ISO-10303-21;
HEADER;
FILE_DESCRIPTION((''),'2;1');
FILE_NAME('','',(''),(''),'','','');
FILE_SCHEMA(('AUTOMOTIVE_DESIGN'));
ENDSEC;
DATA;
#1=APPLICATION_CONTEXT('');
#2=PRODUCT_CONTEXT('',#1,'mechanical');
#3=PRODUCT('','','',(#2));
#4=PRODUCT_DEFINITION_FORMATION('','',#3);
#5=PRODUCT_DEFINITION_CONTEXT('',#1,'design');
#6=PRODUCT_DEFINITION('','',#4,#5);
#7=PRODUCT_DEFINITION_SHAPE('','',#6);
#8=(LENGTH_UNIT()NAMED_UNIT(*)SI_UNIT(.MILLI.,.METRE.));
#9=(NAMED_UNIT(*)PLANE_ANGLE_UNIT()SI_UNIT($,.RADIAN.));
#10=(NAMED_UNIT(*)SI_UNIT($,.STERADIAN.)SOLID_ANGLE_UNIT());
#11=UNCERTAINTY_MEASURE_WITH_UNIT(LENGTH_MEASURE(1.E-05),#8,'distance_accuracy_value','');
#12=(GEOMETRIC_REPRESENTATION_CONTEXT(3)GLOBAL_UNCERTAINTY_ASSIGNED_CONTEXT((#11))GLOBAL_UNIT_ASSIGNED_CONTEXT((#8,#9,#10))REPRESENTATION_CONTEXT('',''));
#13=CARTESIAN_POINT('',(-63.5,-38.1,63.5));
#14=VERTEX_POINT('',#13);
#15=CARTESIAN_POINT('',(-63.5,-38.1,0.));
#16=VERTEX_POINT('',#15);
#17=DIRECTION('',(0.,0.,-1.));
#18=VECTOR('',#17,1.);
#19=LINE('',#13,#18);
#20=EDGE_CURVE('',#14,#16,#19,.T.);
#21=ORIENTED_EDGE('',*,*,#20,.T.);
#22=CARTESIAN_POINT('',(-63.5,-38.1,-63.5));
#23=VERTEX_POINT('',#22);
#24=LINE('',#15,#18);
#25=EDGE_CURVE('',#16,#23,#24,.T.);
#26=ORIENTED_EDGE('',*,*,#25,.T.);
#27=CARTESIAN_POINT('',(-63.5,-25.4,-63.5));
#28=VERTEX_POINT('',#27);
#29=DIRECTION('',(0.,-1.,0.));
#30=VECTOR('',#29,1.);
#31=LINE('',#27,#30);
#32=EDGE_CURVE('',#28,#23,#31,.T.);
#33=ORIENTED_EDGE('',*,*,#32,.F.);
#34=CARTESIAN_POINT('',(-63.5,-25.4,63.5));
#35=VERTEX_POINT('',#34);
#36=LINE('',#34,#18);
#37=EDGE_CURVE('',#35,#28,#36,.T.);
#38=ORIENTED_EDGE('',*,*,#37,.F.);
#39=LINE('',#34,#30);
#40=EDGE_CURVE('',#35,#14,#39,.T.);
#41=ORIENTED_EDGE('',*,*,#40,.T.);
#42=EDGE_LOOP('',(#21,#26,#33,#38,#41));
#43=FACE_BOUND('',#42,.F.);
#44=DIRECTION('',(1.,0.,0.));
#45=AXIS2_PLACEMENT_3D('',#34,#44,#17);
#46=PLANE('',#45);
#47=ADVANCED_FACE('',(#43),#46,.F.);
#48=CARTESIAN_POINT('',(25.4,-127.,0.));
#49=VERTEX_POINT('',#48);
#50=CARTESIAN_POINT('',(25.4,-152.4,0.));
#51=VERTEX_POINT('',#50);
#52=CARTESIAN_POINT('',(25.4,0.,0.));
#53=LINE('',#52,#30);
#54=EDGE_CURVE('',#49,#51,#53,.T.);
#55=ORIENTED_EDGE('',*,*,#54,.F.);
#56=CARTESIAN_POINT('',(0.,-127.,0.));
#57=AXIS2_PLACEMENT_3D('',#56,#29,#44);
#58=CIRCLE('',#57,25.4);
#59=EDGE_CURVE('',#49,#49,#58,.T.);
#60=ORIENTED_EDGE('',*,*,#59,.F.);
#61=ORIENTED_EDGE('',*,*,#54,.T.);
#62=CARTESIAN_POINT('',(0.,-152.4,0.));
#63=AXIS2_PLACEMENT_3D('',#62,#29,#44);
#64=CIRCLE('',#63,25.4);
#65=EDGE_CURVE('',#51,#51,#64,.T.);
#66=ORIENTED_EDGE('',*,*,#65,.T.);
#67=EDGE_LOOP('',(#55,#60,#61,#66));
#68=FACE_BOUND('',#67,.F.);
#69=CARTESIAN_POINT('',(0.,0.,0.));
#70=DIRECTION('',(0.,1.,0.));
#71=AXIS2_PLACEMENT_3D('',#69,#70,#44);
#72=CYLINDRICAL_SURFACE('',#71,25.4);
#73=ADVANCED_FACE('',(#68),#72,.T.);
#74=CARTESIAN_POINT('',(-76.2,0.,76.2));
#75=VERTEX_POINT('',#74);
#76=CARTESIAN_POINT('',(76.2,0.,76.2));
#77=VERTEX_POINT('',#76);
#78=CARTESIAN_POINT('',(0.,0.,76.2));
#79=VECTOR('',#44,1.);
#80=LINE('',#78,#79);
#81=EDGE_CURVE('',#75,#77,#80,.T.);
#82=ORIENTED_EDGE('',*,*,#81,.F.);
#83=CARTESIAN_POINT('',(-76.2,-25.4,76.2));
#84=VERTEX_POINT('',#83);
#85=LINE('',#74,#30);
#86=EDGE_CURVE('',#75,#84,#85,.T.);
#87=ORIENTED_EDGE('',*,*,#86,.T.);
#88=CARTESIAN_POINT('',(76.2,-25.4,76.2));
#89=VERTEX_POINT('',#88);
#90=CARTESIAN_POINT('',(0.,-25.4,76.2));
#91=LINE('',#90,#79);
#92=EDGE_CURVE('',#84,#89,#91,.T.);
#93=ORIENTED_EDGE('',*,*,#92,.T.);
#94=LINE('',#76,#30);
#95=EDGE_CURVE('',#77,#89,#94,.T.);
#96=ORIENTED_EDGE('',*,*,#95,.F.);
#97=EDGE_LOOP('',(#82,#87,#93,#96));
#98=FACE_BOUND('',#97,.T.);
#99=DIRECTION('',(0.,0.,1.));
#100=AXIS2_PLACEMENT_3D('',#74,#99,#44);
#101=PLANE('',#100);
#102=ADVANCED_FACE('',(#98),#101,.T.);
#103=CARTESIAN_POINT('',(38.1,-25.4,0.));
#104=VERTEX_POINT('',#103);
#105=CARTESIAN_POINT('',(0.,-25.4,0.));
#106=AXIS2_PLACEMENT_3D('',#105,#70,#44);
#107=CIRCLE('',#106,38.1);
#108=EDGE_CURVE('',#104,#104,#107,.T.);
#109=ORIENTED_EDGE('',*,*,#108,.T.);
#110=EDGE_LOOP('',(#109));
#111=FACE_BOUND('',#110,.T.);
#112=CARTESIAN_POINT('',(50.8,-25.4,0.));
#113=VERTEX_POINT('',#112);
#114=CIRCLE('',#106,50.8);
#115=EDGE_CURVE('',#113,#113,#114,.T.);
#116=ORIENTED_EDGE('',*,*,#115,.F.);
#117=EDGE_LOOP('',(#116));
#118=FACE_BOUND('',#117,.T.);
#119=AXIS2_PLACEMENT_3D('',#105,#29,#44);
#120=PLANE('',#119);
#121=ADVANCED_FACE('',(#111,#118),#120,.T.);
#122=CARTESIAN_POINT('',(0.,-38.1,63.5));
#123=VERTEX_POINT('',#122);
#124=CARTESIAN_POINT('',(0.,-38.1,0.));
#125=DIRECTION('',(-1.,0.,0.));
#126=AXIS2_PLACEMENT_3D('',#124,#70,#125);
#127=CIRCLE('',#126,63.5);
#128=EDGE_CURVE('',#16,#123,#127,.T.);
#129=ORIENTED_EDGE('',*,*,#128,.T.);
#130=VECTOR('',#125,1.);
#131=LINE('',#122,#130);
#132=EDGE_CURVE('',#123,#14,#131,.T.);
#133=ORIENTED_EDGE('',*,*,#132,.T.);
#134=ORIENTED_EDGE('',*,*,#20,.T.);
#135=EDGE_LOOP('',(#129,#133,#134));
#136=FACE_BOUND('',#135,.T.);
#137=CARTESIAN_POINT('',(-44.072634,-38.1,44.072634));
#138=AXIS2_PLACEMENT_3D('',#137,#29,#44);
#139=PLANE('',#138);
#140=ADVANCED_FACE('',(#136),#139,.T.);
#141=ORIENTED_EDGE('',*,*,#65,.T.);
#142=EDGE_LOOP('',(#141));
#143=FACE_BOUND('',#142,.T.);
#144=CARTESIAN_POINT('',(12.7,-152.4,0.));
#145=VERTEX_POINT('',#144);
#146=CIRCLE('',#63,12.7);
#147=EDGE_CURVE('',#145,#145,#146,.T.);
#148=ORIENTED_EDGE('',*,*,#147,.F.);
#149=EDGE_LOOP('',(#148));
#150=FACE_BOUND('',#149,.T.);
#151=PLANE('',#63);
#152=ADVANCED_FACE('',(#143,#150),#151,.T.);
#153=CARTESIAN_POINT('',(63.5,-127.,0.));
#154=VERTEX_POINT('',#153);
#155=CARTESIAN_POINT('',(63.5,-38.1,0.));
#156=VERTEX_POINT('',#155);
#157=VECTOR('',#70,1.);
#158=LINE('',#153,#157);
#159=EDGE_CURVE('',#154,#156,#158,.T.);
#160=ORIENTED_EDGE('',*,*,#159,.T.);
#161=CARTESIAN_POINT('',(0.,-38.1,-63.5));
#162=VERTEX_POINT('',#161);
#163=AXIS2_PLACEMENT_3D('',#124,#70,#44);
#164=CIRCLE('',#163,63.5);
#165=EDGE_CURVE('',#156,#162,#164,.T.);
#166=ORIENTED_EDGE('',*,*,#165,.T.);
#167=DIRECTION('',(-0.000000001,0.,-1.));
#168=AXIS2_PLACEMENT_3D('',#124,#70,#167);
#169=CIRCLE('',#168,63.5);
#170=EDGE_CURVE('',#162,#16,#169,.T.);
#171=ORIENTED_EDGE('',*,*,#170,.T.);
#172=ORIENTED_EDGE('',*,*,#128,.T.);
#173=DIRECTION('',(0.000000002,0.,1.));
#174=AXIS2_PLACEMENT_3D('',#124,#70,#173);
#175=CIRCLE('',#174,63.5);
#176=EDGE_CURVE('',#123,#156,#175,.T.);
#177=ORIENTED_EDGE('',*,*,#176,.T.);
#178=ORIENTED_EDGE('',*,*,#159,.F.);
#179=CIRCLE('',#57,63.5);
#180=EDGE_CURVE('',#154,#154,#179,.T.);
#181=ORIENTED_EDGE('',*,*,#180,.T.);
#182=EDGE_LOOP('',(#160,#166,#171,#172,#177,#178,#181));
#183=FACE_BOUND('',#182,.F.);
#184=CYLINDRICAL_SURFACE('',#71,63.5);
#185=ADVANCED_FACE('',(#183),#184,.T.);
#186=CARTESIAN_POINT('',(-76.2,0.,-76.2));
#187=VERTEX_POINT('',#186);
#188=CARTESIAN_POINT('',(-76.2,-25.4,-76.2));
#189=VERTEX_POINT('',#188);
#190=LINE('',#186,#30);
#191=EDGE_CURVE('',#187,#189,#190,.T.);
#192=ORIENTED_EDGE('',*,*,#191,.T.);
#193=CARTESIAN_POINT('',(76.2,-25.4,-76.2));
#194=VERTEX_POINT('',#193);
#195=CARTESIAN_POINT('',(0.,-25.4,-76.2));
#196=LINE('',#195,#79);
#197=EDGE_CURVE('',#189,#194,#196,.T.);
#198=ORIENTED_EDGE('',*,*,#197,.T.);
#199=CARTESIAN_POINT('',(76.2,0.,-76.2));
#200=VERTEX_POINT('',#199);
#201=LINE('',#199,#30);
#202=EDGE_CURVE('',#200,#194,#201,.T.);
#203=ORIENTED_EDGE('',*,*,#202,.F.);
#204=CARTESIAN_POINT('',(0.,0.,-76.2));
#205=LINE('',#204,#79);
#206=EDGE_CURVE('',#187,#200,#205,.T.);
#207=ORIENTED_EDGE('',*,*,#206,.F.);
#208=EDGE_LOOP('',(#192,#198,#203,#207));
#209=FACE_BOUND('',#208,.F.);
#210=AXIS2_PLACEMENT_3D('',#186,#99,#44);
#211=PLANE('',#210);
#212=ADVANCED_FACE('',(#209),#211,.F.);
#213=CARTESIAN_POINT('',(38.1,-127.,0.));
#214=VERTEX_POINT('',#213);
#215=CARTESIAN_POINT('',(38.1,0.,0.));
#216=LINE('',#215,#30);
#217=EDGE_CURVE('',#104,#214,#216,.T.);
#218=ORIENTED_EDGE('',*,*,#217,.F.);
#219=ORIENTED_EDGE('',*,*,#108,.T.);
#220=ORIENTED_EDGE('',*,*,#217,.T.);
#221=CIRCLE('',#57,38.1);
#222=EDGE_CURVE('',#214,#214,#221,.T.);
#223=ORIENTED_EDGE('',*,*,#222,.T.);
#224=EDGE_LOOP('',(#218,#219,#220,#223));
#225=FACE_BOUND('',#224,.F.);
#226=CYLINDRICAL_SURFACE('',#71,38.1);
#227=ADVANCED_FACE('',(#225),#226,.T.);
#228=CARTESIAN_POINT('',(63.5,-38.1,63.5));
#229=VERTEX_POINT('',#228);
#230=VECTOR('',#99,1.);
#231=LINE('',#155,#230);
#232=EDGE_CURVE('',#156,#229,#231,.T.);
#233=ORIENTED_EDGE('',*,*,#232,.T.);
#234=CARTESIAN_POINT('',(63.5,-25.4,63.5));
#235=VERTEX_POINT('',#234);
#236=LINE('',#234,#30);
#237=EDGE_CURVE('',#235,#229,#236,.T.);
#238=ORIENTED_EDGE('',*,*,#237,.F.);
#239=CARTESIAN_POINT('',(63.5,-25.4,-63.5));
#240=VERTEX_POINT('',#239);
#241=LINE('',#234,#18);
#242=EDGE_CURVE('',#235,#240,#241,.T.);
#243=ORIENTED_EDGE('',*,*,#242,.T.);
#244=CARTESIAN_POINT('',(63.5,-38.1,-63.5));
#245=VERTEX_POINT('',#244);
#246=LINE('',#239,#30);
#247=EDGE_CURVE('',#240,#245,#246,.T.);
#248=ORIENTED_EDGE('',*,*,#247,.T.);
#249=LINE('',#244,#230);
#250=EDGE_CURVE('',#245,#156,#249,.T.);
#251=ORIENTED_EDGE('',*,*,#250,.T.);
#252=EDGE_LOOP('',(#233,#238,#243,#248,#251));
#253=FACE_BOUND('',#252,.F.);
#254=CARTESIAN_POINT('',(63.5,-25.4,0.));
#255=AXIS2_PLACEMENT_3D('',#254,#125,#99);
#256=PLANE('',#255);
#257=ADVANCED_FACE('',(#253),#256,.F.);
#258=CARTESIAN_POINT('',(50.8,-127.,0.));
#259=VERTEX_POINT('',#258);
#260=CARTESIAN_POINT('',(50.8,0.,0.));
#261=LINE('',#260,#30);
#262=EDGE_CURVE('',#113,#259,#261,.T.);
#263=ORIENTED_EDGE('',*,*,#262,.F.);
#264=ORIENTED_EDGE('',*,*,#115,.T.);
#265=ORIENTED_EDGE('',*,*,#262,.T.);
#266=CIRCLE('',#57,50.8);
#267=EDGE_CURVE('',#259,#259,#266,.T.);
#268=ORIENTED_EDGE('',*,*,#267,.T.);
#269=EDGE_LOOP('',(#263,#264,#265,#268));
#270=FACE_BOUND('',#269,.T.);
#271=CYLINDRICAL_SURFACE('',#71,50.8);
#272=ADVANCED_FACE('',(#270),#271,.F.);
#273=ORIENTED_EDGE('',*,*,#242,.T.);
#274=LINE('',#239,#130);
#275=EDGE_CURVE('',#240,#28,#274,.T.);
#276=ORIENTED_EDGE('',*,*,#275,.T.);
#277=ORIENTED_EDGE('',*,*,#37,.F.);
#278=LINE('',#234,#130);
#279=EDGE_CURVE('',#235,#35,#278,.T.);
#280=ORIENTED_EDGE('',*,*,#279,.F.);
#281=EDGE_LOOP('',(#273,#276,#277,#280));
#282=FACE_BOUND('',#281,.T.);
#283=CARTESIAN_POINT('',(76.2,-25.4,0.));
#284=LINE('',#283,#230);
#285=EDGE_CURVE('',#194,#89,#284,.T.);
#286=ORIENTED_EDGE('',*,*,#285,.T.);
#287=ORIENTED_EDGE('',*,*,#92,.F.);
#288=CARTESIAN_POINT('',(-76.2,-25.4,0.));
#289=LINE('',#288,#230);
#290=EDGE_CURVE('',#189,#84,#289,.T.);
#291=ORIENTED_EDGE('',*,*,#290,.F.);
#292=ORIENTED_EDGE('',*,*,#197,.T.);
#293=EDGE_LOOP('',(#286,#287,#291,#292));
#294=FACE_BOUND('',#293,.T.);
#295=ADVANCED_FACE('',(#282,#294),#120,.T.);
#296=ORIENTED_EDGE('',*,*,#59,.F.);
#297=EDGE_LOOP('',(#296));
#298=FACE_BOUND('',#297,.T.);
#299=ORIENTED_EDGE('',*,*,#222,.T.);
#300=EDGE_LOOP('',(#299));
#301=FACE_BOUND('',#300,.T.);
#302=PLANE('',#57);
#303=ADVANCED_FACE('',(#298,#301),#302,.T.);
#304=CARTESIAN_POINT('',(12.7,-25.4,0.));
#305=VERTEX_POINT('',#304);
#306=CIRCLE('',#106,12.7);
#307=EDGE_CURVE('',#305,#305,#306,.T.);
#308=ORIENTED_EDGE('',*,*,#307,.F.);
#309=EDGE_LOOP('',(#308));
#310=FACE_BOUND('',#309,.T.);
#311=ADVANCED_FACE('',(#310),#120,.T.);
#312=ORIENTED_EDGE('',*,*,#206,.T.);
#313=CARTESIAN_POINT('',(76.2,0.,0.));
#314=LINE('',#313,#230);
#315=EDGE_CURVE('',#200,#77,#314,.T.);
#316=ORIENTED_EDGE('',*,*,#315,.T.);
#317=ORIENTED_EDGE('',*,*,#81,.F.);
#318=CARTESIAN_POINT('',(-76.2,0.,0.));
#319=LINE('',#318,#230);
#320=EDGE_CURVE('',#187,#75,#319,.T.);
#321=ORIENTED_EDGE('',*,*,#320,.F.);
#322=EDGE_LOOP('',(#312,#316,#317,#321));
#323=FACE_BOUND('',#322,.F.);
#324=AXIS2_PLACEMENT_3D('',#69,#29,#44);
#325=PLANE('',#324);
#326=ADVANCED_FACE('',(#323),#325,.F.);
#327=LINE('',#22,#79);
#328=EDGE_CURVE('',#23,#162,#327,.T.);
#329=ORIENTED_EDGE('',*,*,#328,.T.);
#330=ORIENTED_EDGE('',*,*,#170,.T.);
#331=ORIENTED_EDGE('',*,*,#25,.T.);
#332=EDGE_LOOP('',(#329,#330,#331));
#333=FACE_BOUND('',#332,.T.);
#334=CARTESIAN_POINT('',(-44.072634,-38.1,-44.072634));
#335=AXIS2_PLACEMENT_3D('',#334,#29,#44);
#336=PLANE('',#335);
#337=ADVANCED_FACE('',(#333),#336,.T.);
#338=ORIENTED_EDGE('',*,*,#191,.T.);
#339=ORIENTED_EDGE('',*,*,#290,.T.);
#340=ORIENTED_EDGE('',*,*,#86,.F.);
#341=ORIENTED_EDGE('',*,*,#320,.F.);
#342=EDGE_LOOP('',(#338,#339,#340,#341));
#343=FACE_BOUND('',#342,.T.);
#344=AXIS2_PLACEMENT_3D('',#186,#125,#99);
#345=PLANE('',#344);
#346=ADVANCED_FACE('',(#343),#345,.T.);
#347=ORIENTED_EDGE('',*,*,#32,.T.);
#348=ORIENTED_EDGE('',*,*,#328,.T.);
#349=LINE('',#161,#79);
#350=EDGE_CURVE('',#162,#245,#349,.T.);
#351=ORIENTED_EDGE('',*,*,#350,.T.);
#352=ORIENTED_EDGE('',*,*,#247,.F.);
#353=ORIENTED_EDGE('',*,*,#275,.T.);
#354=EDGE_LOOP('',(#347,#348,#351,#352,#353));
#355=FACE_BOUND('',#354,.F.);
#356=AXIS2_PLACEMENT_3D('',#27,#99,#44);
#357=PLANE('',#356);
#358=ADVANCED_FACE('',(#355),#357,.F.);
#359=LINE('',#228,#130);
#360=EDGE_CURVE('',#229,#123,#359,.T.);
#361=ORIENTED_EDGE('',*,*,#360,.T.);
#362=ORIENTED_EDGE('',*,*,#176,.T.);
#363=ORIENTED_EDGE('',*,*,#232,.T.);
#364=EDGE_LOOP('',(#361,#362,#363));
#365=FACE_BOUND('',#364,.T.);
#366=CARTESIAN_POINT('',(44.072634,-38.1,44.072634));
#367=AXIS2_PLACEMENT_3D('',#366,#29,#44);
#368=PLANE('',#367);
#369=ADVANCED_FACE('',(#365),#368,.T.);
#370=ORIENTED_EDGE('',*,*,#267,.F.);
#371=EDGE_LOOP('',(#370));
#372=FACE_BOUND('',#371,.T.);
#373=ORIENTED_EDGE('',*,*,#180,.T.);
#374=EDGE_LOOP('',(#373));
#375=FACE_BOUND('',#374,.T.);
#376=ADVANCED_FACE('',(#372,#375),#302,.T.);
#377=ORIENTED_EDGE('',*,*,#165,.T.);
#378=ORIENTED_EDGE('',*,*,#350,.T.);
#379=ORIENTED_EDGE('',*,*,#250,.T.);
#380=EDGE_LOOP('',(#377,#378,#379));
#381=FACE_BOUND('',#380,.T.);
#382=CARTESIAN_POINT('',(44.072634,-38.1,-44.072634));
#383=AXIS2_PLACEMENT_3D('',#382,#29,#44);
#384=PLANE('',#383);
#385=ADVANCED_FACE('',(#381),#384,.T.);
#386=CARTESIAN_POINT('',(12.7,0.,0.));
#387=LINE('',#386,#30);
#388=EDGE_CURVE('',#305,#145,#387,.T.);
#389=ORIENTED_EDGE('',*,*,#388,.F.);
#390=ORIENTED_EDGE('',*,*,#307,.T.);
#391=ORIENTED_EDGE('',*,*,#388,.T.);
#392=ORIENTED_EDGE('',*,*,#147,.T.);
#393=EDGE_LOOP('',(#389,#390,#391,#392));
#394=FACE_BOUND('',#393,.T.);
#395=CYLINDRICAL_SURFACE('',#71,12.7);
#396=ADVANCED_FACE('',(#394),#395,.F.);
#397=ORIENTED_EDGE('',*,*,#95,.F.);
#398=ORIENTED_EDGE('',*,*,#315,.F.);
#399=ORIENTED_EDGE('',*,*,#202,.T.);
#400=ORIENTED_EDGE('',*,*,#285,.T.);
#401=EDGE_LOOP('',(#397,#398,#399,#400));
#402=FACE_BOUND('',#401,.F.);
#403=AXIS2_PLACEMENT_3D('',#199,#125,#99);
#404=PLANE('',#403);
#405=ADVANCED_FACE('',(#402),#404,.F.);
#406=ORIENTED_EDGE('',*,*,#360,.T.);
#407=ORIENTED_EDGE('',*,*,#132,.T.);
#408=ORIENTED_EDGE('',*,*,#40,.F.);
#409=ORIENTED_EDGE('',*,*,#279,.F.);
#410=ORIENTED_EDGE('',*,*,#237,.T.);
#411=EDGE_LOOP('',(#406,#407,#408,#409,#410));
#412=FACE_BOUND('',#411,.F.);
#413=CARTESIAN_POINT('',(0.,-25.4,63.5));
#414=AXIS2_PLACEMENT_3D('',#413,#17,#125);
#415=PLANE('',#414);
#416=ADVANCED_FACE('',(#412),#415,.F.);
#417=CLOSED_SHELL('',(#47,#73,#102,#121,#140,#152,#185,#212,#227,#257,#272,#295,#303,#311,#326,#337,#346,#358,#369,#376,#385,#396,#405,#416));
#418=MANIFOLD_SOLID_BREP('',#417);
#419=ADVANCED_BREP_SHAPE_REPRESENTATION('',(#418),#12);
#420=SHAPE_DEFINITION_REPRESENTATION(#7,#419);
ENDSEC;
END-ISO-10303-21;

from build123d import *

# Parameters (mm, degrees)
F0_R      = 63.5
F0_R_2    = 38.1
F1_DEPTH  = 12.7
F2_R      = 38.1
F2_R_2    = 25.4
F3_DEPTH  = 127
F4_R      = 25.4
F4_R_2    = 12.7
F5_DEPTH  = 152.4
F6_R      = 63.5
F6_R_2    = 50.8
F7_DEPTH  = 127
F8_W      = 152.4
F8_H      = 152.4
F9_DEPTH  = 25.4
F11_DEPTH = 12.7


with BuildPart() as f1:
    # F0 (on Front) → F1 (new body)
    with BuildSketch(Plane.XZ):
        Circle(F0_R)
        Circle(F0_R_2, mode=Mode.SUBTRACT)
    extrude(amount=F1_DEPTH)

    # F2 (on Front) → F3 (join)
    with BuildSketch(Plane.XZ):
        Circle(F2_R)
        Circle(F2_R_2, mode=Mode.SUBTRACT)
    extrude(amount=F3_DEPTH)

    # F4 (on Front) → F5 (join)
    with BuildSketch(Plane.XZ):
        Circle(F4_R)
        Circle(F4_R_2, mode=Mode.SUBTRACT)
    extrude(amount=F5_DEPTH)

    # F6 (on Front) → F7 (join)
    with BuildSketch(Plane.XZ):
        Circle(F6_R)
        Circle(F6_R_2, mode=Mode.SUBTRACT)
    extrude(amount=F7_DEPTH)

    # F8 (on Front) → F9 (join)
    with BuildSketch(Plane.XZ):
        Rectangle(F8_W, F8_H)
    extrude(amount=F9_DEPTH)

    # F10 (on face) → F11 (join)
    with BuildSketch(Plane.XZ.offset(25.4)):
        with BuildLine():
            Line((1.088e-07, 63.5), (-63.5, 63.5))
            Line((-63.5, 63.5), (-63.5, 0))
            ThreePointArc((-63.5, 0), (-44.9012805669, 44.9012806438), (1.088e-07, 63.5))
        make_face()
        with BuildLine():
            ThreePointArc((-4.16e-08, -63.5), (-44.90128062, -44.9012805906), (-63.5, 0))
            Line((-63.5, 0), (-63.5, -63.5))
            Line((-63.5, -63.5), (-4.16e-08, -63.5))
        make_face()
        with BuildLine():
            Line((63.5, 63.5), (1.088e-07, 63.5))
            ThreePointArc((1.088e-07, 63.5), (44.9012806438, 44.9012805669), (63.5, 0))
            Line((63.5, 0), (63.5, 63.5))
        make_face()
        with BuildLine():
            Line((63.5, -63.5), (63.5, 0))
            ThreePointArc((63.5, 0), (44.9012805906, -44.90128062), (-4.16e-08, -63.5))
            Line((-4.16e-08, -63.5), (63.5, -63.5))
        make_face()
    extrude(amount=F11_DEPTH)


solid = f1.part
